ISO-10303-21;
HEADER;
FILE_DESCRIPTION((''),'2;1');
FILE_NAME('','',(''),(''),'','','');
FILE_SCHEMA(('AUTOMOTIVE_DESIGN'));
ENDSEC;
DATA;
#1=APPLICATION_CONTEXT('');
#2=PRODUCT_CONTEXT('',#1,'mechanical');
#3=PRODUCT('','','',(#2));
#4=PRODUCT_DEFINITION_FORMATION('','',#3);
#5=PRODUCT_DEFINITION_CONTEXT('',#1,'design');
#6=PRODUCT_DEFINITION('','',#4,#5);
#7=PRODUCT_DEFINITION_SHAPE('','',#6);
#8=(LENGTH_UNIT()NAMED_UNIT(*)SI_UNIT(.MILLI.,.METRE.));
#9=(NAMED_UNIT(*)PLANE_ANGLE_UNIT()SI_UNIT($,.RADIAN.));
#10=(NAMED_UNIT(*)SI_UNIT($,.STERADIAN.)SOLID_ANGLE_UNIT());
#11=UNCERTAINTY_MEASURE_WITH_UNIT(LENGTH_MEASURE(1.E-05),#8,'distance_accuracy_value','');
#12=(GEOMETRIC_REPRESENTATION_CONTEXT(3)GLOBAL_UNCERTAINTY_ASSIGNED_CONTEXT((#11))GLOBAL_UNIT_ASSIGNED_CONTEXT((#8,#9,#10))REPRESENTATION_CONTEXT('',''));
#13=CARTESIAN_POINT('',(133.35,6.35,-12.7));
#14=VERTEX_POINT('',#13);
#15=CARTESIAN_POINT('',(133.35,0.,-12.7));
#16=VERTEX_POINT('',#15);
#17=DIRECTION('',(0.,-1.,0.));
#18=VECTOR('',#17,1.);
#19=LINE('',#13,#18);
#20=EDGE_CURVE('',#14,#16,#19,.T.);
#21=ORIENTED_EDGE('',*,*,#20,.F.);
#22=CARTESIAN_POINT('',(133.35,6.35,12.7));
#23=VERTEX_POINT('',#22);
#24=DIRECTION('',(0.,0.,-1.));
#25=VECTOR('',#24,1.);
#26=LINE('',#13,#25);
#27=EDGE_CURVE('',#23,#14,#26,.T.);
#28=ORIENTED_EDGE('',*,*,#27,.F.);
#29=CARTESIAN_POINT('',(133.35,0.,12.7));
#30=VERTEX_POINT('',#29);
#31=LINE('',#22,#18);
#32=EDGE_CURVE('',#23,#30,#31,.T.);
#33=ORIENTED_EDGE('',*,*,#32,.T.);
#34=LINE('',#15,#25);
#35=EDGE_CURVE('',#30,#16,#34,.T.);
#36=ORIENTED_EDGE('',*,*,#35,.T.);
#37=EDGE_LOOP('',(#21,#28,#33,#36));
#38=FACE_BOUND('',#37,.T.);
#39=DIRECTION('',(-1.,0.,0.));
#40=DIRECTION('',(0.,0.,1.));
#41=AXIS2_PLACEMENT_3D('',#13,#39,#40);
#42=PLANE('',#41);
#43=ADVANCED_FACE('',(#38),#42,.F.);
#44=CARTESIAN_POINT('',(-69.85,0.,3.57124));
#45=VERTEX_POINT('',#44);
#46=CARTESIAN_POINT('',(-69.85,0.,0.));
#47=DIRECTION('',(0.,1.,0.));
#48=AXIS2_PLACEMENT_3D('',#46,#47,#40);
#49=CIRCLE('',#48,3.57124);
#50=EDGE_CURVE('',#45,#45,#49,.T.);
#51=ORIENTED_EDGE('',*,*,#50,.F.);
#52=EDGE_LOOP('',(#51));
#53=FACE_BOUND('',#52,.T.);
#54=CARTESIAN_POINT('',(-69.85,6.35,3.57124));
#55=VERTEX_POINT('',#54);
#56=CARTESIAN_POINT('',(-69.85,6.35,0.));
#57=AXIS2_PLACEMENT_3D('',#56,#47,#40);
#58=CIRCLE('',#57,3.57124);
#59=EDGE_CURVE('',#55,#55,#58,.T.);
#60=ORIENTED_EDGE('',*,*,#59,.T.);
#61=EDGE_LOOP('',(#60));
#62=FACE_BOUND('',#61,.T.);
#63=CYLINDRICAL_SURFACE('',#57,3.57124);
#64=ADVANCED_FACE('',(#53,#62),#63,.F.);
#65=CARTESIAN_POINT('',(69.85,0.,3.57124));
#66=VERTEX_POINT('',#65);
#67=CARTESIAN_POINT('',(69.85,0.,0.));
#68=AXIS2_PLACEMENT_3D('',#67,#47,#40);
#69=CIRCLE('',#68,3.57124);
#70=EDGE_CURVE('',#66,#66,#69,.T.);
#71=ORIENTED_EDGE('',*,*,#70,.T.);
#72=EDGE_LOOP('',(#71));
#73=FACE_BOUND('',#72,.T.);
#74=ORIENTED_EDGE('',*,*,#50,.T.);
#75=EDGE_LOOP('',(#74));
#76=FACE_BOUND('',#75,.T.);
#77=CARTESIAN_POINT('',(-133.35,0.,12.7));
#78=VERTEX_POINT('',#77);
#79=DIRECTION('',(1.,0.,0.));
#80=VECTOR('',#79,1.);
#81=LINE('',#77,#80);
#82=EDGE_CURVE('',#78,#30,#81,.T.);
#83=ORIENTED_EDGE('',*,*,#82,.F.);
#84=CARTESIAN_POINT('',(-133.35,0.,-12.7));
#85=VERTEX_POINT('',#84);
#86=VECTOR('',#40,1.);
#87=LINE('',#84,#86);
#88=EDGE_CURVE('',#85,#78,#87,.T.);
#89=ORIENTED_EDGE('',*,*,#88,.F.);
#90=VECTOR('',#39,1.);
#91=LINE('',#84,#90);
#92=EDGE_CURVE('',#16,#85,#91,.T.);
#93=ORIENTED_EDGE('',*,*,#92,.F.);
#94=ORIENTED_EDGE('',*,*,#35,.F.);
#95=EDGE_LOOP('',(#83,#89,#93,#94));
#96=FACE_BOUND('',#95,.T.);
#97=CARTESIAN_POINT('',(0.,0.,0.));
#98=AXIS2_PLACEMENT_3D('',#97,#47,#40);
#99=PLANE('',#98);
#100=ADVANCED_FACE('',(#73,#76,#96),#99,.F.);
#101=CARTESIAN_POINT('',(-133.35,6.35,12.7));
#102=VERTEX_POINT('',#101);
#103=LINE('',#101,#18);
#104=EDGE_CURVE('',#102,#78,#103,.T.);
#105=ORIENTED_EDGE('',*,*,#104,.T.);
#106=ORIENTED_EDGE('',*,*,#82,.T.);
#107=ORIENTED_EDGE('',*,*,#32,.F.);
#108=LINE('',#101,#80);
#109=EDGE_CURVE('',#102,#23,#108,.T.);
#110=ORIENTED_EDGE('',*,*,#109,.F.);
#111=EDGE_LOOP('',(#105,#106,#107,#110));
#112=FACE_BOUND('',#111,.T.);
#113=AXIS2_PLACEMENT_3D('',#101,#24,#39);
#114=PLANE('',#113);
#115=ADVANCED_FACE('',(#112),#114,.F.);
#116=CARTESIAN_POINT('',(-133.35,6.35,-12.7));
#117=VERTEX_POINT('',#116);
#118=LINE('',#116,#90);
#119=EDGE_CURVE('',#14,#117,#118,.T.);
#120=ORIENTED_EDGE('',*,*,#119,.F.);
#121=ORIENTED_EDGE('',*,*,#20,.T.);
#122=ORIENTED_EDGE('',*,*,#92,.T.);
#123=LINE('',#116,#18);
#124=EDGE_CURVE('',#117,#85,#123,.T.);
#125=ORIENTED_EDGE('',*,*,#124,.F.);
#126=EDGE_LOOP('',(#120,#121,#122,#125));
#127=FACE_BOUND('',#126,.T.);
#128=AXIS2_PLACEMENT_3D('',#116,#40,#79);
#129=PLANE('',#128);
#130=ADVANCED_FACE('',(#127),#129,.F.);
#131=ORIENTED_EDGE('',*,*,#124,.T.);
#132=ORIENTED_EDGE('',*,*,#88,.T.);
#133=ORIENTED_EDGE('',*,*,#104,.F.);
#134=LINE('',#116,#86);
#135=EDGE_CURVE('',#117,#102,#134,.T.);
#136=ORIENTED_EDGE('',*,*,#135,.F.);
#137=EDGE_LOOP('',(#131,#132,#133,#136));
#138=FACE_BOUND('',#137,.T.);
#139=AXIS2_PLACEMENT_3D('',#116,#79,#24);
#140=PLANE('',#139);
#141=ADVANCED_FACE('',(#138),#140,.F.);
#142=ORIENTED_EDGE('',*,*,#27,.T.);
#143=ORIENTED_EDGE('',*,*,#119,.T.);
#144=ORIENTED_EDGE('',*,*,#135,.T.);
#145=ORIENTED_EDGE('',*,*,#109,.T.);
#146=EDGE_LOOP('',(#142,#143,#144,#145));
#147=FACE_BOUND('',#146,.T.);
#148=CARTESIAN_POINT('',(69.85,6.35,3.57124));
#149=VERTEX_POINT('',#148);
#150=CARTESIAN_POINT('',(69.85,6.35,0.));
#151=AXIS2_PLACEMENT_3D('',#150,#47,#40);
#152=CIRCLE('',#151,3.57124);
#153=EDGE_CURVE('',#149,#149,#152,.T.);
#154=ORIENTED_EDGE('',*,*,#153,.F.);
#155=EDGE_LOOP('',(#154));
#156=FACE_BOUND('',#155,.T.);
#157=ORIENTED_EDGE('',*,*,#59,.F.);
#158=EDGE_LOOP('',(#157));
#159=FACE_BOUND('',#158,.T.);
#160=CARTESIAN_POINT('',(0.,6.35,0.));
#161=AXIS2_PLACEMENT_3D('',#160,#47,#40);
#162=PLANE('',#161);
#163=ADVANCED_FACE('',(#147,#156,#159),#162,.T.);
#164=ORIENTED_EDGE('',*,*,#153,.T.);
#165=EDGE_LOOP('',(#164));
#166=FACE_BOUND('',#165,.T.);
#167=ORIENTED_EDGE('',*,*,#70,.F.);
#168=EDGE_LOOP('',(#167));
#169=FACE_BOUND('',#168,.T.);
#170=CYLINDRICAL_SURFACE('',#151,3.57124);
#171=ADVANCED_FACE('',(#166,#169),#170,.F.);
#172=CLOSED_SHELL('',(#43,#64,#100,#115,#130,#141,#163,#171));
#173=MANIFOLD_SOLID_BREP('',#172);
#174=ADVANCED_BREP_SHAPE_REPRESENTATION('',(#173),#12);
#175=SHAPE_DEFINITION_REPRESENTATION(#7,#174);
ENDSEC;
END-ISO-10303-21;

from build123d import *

# Parameters (mm, degrees)
SKETCH1_W               = 266.7
SKETCH1_H               = 25.4
BOSS_EXTRUDE1_DEPTH     = 6.35
F_1_4_CLEARANCE_HOLE2_D = 7.14248


with BuildPart() as part:
    # Sketch1 → Boss-Extrude1 (new body)
    with BuildSketch(Plane(origin=(0, 0, 0), x_dir=(1, 0, 0), z_dir=(0, 1, 0))):
        Rectangle(SKETCH1_W, SKETCH1_H)
    extrude(amount=BOSS_EXTRUDE1_DEPTH)

    # 1/4 Clearance Hole2 (through all)
    with Locations(Plane(origin=(0, 6.35, 0), x_dir=(1, 0, 0), z_dir=(0, 1, 0))):
        with Locations((-69.85, 0), (69.85, 0)):
            Hole(F_1_4_CLEARANCE_HOLE2_D / 2)


solid = part.part
